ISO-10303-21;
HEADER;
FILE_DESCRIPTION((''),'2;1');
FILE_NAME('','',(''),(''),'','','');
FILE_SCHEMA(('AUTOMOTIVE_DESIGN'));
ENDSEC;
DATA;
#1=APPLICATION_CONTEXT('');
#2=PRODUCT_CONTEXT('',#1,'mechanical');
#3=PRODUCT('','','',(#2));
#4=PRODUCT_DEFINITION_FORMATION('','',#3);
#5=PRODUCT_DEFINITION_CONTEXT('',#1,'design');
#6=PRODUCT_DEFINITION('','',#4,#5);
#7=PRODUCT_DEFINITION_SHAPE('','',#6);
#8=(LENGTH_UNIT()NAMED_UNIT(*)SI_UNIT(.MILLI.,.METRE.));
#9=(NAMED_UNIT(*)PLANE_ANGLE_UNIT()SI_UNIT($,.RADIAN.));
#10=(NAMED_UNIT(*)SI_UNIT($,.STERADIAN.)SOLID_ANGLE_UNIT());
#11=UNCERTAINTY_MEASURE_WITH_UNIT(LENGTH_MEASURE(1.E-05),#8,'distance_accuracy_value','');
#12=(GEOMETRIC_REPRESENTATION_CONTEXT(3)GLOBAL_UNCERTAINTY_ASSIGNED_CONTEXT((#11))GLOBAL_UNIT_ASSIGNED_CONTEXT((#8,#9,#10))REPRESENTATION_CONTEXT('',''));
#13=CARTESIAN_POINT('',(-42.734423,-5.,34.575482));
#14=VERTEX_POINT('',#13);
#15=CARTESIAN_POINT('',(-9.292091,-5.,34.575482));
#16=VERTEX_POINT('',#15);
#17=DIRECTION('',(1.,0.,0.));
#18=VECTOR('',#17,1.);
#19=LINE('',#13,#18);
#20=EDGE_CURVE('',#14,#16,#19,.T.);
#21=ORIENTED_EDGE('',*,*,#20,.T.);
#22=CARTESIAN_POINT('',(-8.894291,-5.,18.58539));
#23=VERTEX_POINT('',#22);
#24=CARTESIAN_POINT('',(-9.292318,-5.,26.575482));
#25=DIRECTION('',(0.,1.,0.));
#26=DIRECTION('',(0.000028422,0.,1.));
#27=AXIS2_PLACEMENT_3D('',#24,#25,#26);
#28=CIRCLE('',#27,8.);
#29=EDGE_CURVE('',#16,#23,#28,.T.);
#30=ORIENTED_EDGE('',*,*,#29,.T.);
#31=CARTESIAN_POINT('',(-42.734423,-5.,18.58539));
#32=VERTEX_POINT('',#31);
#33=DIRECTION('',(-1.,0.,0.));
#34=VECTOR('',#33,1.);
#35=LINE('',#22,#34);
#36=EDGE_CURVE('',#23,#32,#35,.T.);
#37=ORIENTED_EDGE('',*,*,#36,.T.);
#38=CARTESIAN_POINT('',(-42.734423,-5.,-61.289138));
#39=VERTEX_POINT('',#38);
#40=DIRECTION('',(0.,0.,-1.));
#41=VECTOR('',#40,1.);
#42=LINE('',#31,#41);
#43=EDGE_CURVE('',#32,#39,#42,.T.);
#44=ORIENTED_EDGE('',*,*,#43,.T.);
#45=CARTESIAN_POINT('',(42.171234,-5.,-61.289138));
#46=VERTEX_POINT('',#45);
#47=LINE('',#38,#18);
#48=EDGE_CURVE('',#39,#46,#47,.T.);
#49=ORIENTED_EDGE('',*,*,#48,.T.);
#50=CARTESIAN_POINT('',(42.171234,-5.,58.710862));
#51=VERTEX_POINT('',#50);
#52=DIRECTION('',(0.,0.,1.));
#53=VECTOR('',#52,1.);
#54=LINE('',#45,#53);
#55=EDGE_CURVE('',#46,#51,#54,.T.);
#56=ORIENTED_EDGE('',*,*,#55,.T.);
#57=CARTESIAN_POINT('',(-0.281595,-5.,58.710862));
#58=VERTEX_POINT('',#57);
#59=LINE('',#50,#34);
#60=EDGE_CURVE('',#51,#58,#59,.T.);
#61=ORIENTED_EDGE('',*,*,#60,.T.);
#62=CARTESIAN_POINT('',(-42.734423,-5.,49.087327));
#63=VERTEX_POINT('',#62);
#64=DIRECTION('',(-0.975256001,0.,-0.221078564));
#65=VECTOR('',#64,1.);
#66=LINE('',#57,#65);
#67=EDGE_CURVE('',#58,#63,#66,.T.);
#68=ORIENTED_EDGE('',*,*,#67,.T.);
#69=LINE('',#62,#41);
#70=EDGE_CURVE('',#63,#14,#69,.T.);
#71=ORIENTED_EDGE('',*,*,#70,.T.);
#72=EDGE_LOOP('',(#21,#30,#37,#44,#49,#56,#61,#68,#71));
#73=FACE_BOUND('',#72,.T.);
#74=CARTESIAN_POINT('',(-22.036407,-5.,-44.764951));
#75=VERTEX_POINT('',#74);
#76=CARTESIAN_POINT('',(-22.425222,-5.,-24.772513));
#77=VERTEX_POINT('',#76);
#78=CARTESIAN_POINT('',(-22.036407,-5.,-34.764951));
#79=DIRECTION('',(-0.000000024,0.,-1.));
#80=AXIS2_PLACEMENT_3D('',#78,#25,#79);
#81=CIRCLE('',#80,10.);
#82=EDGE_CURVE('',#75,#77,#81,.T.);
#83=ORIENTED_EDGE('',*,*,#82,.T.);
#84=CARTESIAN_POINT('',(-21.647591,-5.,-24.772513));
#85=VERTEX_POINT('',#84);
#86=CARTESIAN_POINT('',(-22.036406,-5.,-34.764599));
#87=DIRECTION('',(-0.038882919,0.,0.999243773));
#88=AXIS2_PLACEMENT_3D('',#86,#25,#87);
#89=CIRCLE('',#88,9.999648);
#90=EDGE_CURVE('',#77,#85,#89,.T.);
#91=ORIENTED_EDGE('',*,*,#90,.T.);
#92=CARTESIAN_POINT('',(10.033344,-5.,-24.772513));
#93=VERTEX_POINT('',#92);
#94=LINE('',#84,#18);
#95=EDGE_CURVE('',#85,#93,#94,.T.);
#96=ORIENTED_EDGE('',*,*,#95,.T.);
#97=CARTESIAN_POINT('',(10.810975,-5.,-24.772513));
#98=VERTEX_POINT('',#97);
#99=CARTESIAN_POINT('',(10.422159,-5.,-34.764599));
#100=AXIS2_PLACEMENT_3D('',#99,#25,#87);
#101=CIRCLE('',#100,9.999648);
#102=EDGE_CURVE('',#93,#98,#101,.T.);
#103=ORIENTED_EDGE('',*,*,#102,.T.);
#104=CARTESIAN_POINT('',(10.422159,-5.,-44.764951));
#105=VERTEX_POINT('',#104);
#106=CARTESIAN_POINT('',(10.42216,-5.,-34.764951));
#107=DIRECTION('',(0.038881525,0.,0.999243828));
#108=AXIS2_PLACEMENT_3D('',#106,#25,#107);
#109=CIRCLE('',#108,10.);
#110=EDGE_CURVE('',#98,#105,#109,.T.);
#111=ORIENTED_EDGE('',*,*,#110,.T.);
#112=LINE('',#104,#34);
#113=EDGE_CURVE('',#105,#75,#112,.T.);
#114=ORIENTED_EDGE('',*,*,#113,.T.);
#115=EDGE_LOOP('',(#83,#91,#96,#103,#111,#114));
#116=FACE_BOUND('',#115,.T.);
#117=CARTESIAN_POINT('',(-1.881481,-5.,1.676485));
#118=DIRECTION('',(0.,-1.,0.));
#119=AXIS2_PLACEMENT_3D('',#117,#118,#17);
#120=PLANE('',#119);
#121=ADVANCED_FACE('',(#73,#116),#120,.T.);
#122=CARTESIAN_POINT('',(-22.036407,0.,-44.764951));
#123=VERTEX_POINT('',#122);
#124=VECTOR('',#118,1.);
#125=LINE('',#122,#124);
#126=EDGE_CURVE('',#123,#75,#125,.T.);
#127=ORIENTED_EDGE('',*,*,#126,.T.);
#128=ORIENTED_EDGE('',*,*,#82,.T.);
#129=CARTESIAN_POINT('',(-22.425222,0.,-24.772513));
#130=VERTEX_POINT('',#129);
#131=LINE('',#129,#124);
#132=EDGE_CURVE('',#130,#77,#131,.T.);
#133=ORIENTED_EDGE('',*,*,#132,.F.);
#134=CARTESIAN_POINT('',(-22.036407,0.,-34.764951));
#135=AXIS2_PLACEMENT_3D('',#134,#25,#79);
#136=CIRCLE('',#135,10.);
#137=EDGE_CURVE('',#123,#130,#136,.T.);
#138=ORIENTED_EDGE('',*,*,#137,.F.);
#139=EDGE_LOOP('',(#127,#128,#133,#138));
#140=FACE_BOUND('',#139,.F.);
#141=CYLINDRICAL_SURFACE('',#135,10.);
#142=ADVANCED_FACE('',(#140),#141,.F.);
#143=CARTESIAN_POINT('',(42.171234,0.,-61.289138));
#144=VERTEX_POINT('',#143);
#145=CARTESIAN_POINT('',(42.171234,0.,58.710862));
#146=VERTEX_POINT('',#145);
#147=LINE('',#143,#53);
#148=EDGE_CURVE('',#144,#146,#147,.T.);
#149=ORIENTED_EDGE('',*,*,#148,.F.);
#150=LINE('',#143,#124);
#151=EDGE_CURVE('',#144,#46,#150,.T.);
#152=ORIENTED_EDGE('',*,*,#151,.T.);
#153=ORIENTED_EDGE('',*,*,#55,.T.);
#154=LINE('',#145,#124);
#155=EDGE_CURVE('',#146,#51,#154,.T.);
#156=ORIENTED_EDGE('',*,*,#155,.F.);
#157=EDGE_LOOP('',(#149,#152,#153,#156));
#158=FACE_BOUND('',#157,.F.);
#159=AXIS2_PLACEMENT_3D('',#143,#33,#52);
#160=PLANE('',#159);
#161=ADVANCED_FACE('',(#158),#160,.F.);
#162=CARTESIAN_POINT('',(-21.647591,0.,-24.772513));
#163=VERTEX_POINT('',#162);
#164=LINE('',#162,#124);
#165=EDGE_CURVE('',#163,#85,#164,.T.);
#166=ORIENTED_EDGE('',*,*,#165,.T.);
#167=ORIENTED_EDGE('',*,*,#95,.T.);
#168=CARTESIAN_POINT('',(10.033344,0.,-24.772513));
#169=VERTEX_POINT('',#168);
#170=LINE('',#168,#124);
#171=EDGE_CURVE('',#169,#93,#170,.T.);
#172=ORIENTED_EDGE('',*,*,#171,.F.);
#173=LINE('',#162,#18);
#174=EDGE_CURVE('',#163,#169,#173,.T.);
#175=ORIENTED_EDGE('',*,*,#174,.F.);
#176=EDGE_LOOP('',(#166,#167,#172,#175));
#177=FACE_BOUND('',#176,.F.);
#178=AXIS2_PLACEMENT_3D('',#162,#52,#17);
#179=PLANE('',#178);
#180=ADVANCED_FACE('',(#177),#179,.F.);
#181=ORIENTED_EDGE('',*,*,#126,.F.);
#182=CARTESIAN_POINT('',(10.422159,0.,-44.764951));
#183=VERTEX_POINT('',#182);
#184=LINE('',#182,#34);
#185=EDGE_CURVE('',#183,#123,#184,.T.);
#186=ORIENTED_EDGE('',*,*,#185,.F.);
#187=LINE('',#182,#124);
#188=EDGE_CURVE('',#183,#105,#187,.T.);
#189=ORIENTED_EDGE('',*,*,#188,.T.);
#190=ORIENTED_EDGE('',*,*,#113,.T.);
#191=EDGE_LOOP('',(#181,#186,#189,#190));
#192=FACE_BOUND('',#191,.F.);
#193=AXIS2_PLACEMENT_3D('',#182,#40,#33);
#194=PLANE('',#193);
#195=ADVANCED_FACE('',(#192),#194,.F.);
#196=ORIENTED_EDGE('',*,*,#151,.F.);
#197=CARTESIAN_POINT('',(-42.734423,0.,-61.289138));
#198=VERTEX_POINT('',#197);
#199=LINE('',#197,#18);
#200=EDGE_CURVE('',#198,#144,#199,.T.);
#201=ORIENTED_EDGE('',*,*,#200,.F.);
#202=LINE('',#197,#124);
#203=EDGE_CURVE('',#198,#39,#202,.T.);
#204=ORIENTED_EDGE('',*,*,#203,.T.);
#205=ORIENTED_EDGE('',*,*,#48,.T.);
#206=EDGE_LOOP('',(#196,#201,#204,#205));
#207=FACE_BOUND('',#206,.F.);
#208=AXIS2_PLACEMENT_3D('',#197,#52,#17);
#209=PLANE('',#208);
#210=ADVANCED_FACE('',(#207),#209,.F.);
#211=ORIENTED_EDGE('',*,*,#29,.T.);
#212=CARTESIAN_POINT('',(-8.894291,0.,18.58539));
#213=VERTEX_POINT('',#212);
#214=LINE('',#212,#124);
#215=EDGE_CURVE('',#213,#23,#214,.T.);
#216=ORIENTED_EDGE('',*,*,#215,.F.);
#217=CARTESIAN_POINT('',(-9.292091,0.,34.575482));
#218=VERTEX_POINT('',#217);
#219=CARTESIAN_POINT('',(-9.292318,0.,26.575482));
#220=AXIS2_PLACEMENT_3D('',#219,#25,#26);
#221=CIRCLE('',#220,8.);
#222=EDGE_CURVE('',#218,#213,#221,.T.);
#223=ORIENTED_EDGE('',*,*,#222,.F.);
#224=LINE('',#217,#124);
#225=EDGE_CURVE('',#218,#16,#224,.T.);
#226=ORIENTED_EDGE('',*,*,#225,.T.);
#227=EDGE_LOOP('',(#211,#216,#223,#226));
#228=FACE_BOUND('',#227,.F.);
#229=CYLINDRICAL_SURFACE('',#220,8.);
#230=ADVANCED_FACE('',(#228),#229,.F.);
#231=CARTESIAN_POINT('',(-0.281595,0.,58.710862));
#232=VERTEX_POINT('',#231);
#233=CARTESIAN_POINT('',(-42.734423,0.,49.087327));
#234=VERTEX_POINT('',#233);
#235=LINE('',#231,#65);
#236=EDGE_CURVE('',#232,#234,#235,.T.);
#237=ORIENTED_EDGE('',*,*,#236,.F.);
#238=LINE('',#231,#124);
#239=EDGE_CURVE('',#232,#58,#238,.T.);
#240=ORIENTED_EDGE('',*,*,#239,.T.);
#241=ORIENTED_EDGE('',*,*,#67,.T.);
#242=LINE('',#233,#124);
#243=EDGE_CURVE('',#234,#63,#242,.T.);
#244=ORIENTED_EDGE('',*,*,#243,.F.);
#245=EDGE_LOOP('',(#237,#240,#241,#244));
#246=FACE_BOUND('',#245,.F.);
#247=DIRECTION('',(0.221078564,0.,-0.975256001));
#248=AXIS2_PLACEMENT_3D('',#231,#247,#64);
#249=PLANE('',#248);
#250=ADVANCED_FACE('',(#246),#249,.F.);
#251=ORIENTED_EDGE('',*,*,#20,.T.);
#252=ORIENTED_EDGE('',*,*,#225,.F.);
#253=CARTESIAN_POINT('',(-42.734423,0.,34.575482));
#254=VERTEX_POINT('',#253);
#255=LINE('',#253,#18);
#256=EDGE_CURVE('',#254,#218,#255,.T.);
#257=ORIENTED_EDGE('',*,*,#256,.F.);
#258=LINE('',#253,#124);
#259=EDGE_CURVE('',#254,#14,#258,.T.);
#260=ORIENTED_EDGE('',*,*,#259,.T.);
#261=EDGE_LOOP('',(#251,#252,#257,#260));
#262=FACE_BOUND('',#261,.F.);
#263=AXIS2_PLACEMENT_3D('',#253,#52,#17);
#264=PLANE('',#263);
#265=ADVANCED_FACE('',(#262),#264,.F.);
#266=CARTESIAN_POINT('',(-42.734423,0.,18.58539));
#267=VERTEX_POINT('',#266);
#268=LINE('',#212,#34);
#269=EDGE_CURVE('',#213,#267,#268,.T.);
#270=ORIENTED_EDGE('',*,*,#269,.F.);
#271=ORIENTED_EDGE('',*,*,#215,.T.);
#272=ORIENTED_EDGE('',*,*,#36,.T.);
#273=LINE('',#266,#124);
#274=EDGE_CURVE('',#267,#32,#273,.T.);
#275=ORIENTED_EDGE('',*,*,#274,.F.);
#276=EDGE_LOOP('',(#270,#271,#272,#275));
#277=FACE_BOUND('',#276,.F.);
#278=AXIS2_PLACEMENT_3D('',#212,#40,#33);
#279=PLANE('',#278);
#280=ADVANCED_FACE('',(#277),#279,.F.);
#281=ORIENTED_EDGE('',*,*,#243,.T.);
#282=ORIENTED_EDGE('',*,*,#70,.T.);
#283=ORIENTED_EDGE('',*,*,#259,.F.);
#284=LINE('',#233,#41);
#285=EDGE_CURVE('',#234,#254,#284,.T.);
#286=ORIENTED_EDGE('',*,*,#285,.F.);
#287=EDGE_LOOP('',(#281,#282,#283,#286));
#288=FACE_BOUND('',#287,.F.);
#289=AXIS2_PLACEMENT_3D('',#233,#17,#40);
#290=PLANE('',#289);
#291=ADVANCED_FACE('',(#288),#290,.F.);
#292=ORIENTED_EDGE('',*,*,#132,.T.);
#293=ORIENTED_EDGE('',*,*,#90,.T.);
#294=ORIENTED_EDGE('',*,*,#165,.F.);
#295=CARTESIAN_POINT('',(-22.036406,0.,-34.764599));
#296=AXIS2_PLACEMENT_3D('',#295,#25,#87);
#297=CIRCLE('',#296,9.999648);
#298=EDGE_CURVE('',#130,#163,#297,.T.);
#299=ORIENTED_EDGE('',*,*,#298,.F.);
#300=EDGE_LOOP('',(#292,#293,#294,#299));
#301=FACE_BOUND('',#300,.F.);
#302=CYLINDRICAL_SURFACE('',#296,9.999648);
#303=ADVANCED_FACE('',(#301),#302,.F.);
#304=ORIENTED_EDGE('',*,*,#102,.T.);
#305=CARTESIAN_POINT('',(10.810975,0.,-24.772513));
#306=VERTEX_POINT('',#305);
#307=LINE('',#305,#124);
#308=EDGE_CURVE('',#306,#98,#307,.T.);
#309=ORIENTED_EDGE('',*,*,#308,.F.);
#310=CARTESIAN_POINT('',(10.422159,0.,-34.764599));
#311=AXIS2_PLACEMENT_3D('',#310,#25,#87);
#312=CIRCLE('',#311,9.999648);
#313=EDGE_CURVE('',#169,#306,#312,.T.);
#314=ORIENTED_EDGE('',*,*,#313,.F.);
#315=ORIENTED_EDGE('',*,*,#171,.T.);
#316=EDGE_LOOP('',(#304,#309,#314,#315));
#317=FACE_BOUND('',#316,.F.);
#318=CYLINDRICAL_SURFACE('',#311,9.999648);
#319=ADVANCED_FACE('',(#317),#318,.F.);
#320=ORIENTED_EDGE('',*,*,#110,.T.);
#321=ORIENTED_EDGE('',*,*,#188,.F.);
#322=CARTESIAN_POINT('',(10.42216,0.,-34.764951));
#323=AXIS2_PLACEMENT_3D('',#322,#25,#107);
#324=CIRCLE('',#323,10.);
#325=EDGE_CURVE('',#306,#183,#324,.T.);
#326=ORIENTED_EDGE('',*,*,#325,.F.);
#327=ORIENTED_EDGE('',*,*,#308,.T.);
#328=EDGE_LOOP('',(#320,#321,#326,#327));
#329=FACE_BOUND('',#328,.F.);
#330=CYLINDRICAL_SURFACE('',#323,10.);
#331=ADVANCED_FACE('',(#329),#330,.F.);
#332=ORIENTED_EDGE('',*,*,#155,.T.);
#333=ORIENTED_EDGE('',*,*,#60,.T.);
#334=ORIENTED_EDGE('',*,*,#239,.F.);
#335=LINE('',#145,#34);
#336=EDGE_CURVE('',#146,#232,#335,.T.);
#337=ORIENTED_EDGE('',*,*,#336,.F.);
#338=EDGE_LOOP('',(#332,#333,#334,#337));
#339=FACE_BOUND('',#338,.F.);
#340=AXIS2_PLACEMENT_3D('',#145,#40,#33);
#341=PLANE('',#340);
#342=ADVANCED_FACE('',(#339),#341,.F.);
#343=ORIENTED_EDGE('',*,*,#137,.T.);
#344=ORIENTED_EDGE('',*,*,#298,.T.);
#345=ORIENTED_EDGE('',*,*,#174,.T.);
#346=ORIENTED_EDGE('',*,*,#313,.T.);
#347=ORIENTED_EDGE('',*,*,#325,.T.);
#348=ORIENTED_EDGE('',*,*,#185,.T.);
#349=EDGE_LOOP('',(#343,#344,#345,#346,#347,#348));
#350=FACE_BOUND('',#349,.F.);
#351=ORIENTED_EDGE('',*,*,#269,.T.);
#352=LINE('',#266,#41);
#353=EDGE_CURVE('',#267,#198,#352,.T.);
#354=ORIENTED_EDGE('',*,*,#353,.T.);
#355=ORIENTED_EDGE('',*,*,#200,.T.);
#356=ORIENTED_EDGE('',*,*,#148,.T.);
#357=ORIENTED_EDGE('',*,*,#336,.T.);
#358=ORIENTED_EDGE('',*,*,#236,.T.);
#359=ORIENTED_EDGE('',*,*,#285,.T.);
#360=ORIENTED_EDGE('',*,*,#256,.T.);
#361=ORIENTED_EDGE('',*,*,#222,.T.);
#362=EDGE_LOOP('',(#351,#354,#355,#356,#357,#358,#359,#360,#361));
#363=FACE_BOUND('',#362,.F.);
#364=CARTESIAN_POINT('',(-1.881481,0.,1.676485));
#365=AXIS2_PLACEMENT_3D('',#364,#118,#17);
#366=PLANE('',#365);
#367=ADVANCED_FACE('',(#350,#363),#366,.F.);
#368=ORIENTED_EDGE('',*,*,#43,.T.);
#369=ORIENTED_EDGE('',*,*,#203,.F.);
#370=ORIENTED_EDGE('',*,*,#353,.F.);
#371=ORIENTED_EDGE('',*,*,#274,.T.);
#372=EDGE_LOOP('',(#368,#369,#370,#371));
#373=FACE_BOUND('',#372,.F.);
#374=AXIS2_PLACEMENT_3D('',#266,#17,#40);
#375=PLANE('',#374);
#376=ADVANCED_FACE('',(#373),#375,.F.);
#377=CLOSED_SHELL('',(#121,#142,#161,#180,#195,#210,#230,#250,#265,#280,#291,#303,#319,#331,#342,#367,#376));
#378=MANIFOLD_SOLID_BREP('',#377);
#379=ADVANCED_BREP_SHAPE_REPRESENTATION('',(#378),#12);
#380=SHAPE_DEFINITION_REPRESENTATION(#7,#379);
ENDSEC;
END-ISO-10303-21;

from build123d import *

# Parameters (mm, degrees)
F1_DEPTH = 5


with BuildPart() as f1:
    # F0 (on Front) → F1 (new body)
    with BuildSketch(Plane.XZ):
        with BuildLine():
            Line((42.171234, 58.710862), (-0.281595, 58.710862))
            Line((-0.281595, 58.710862), (-42.734423, 49.087327))
            Line((-42.734423, 49.087327), (-42.734423, 34.575482))
            Line((-42.734423, 34.575482), (-9.292091, 34.575482))
            ThreePointArc((-9.292091, 34.575482), (-1.294793, 26.774444), (-8.894291, 18.58539))
            ThreePointArc((-8.894291, 18.58539), (-9.292318, 18.575482), (-9.690346, 18.58539))
            Line((-9.690346, 18.58539), (-42.734423, 18.58539))
            Line((-42.734423, 18.58539), (-42.734423, -61.289138))
            Line((-42.734423, -61.289138), (42.171234, -61.289138))
            Line((42.171234, -61.289138), (42.171234, 58.710862))
        make_face()
        with BuildLine():
            ThreePointArc((-22.425222, -24.772513), (-22.036407, -24.764951), (-21.647591, -24.772513))
            Line((-21.647591, -24.772513), (10.033344, -24.772513))
            ThreePointArc((10.033344, -24.772513), (10.422159, -24.764951), (10.810975, -24.772513))
            ThreePointArc((10.810975, -24.772513), (20.420269, -34.959396), (10.422159, -44.764951))
            Line((10.422159, -44.764951), (-22.036407, -44.764951))
            ThreePointArc((-22.036407, -44.764951), (-32.034516, -34.959396), (-22.425222, -24.772513))
        make_face(mode=Mode.SUBTRACT)
        with BuildLine():
            ThreePointArc((-9.690346, 18.58539), (-9.292318, 18.575482), (-8.894291, 18.58539))
            Line((-8.894291, 18.58539), (-9.690346, 18.58539))
        make_face()
    extrude(amount=F1_DEPTH)


solid = f1.part
